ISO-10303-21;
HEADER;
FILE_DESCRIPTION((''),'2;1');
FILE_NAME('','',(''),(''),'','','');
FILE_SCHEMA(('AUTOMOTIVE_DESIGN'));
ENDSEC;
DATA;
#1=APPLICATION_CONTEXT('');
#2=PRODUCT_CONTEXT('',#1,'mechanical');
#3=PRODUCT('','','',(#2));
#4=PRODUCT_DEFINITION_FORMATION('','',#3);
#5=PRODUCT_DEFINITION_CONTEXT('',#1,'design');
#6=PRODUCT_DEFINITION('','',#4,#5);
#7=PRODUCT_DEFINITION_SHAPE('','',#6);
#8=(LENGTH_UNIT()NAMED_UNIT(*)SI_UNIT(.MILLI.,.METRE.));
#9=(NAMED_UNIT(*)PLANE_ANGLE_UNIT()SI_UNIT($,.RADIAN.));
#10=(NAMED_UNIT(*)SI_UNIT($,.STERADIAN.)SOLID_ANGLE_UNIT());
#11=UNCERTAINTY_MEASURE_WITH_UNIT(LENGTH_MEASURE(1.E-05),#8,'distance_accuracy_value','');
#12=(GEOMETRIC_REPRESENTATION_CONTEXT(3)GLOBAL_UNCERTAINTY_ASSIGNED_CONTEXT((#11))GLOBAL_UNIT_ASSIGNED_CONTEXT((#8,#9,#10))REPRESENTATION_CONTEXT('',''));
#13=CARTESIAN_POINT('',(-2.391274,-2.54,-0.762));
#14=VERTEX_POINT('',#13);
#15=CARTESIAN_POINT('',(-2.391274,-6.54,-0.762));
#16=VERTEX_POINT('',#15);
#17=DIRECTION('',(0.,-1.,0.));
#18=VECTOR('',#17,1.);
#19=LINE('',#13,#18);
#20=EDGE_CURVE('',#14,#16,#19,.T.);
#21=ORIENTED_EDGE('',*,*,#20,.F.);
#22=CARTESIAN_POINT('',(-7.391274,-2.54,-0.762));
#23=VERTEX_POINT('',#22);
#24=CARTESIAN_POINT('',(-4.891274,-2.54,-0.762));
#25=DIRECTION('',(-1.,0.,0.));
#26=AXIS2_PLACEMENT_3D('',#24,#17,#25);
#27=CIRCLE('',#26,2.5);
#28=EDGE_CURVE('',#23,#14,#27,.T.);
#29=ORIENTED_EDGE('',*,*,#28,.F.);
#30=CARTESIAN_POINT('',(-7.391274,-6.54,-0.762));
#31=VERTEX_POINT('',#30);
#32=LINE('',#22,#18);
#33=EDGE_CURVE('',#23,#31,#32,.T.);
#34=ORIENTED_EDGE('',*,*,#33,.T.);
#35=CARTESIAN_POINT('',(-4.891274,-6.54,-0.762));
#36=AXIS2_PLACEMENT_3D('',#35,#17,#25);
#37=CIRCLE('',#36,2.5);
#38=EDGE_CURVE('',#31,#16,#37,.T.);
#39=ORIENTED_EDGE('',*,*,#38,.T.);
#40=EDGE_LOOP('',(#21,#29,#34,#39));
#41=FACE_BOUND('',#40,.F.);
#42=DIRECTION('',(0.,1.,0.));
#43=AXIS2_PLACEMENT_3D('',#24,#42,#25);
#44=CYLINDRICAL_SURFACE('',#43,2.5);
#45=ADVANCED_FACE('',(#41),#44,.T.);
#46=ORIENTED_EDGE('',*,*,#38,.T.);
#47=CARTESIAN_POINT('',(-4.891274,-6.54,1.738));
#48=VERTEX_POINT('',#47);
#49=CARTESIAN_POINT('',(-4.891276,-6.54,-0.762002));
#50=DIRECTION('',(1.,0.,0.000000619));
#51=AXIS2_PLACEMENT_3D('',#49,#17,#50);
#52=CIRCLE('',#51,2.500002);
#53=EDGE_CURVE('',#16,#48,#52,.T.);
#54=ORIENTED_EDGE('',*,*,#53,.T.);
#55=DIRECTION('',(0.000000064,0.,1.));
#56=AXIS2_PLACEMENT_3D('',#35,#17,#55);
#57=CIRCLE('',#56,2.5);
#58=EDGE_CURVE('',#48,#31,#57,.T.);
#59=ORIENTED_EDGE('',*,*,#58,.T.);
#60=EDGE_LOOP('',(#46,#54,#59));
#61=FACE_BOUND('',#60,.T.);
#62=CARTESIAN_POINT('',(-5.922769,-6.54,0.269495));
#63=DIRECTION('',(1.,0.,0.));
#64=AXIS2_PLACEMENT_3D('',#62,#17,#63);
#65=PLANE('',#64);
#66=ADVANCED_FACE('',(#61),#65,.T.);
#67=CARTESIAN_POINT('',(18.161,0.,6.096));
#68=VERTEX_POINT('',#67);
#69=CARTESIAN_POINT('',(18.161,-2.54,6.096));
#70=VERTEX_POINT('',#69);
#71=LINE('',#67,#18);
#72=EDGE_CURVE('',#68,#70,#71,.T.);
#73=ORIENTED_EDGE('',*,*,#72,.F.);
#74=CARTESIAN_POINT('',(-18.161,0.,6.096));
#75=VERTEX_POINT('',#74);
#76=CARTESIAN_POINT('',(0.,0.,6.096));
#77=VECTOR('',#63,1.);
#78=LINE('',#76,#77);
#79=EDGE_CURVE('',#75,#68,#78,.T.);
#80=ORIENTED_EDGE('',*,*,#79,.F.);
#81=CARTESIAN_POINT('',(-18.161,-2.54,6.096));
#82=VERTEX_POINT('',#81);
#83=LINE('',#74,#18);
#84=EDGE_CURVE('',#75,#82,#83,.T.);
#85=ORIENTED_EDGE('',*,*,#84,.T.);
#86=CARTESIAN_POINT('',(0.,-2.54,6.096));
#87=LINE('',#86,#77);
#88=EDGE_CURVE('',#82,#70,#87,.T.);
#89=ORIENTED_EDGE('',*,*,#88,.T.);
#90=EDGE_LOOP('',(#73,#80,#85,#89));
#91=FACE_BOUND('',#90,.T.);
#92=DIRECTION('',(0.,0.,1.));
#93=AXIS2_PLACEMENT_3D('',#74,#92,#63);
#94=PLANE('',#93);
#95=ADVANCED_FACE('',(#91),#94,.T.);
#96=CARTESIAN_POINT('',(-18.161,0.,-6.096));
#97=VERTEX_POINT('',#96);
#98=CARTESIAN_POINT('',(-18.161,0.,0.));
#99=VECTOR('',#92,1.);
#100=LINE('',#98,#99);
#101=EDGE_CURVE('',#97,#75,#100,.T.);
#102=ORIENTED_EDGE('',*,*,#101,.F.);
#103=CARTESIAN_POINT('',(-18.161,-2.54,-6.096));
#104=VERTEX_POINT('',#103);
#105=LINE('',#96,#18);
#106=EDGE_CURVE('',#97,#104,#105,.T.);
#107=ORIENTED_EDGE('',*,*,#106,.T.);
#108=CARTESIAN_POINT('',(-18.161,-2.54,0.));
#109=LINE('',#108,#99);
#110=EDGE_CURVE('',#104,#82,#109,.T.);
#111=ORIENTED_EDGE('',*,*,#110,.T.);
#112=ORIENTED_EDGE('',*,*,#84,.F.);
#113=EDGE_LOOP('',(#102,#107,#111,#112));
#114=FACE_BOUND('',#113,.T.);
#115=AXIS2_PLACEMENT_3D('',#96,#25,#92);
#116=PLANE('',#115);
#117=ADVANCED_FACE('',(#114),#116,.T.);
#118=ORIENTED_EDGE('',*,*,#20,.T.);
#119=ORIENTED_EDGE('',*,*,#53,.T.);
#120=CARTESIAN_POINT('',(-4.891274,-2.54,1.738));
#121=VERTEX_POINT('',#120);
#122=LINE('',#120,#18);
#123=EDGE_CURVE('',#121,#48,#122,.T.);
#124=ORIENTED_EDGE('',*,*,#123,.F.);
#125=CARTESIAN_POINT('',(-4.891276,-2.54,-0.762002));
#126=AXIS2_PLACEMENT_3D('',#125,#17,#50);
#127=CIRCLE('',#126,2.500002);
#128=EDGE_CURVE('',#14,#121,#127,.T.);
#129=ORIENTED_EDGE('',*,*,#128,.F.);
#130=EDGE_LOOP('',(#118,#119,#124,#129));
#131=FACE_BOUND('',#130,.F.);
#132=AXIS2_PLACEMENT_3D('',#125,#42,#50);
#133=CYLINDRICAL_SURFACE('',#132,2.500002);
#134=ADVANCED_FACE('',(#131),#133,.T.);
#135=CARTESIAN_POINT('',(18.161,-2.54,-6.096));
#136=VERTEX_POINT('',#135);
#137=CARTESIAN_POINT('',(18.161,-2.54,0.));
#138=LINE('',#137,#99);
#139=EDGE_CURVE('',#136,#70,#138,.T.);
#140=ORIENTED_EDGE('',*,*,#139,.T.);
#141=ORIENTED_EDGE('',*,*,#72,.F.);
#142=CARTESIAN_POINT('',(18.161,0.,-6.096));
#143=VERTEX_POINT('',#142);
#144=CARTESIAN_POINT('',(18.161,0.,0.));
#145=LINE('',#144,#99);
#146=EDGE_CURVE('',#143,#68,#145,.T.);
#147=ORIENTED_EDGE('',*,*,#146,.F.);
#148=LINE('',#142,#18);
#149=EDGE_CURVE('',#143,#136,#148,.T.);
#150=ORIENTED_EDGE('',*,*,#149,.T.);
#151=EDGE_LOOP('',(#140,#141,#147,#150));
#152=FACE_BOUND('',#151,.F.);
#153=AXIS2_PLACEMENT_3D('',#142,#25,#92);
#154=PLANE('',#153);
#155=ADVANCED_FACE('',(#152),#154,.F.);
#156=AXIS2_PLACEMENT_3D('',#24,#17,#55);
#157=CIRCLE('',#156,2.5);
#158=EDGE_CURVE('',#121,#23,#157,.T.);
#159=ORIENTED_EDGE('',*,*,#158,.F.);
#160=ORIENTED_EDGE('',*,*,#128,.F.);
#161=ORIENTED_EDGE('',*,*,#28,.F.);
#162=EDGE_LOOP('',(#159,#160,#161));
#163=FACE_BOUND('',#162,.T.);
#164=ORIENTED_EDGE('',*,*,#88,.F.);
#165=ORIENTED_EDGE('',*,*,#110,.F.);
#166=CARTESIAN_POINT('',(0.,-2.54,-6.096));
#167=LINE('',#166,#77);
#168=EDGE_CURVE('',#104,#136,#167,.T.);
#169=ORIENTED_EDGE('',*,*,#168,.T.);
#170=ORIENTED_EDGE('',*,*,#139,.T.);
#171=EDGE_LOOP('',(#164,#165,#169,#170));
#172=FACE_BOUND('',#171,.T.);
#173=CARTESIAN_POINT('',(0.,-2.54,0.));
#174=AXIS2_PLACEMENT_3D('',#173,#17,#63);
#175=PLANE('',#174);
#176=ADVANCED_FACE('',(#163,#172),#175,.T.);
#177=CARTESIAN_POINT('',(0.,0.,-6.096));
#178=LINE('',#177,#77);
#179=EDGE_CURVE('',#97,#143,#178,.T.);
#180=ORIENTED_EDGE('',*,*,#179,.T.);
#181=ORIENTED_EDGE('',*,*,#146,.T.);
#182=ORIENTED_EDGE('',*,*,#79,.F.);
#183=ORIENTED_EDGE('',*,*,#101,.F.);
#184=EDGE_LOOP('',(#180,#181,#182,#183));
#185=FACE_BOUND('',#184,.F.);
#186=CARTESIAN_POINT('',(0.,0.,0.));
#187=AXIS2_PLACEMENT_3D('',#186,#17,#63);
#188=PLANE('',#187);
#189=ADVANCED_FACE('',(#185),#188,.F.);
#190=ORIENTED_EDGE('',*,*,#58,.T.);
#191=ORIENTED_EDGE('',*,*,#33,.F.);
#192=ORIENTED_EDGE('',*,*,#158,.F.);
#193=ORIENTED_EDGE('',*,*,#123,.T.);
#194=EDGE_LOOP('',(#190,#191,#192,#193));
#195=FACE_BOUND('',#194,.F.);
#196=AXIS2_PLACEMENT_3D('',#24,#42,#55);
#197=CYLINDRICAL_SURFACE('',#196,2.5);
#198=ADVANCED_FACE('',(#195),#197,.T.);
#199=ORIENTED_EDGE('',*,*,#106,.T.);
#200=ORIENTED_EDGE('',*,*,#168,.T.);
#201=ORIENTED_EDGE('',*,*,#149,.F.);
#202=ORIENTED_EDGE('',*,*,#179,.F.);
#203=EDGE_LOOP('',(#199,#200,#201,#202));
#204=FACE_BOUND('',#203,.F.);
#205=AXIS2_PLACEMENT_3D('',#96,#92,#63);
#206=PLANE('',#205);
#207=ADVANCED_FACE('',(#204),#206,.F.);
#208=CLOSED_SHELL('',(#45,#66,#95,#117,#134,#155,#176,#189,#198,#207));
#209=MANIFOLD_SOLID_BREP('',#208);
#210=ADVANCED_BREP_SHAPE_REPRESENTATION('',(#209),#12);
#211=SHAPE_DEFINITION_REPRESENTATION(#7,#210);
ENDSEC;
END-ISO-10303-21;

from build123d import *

# Parameters (mm, degrees)
F0_W     = 36.322
F0_H     = 12.192
F1_DEPTH = 2.54
F3_DEPTH = 4


with BuildPart() as f1:
    # F0 (on Front) → F1 (new body)
    with BuildSketch(Plane.XZ):
        Rectangle(F0_W, F0_H)
    extrude(amount=F1_DEPTH)

    # F2 (on face) → F3 (join)
    with BuildSketch(Plane.XZ.offset(2.54)):
        with BuildLine():
            ThreePointArc((-4.891274, 1.738), (-6.659041, 1.005767), (-7.391274, -0.762))
            Line((-7.391274, -0.762), (-4.891274, -0.762))
            Line((-4.891274, -0.762), (-4.891274, 1.738))
        make_face()
        with BuildLine():
            Line((-4.891274, -0.762), (-7.391274, -0.762))
            ThreePointArc((-7.391274, -0.762), (-4.891274, -3.262), (-2.391274, -0.762))
            ThreePointArc((-2.391274, -0.762), (-3.123508, 1.005767), (-4.891274, 1.738))
            Line((-4.891274, 1.738), (-4.891274, -0.762))
        make_face()
    extrude(amount=F3_DEPTH)


solid = f1.part
